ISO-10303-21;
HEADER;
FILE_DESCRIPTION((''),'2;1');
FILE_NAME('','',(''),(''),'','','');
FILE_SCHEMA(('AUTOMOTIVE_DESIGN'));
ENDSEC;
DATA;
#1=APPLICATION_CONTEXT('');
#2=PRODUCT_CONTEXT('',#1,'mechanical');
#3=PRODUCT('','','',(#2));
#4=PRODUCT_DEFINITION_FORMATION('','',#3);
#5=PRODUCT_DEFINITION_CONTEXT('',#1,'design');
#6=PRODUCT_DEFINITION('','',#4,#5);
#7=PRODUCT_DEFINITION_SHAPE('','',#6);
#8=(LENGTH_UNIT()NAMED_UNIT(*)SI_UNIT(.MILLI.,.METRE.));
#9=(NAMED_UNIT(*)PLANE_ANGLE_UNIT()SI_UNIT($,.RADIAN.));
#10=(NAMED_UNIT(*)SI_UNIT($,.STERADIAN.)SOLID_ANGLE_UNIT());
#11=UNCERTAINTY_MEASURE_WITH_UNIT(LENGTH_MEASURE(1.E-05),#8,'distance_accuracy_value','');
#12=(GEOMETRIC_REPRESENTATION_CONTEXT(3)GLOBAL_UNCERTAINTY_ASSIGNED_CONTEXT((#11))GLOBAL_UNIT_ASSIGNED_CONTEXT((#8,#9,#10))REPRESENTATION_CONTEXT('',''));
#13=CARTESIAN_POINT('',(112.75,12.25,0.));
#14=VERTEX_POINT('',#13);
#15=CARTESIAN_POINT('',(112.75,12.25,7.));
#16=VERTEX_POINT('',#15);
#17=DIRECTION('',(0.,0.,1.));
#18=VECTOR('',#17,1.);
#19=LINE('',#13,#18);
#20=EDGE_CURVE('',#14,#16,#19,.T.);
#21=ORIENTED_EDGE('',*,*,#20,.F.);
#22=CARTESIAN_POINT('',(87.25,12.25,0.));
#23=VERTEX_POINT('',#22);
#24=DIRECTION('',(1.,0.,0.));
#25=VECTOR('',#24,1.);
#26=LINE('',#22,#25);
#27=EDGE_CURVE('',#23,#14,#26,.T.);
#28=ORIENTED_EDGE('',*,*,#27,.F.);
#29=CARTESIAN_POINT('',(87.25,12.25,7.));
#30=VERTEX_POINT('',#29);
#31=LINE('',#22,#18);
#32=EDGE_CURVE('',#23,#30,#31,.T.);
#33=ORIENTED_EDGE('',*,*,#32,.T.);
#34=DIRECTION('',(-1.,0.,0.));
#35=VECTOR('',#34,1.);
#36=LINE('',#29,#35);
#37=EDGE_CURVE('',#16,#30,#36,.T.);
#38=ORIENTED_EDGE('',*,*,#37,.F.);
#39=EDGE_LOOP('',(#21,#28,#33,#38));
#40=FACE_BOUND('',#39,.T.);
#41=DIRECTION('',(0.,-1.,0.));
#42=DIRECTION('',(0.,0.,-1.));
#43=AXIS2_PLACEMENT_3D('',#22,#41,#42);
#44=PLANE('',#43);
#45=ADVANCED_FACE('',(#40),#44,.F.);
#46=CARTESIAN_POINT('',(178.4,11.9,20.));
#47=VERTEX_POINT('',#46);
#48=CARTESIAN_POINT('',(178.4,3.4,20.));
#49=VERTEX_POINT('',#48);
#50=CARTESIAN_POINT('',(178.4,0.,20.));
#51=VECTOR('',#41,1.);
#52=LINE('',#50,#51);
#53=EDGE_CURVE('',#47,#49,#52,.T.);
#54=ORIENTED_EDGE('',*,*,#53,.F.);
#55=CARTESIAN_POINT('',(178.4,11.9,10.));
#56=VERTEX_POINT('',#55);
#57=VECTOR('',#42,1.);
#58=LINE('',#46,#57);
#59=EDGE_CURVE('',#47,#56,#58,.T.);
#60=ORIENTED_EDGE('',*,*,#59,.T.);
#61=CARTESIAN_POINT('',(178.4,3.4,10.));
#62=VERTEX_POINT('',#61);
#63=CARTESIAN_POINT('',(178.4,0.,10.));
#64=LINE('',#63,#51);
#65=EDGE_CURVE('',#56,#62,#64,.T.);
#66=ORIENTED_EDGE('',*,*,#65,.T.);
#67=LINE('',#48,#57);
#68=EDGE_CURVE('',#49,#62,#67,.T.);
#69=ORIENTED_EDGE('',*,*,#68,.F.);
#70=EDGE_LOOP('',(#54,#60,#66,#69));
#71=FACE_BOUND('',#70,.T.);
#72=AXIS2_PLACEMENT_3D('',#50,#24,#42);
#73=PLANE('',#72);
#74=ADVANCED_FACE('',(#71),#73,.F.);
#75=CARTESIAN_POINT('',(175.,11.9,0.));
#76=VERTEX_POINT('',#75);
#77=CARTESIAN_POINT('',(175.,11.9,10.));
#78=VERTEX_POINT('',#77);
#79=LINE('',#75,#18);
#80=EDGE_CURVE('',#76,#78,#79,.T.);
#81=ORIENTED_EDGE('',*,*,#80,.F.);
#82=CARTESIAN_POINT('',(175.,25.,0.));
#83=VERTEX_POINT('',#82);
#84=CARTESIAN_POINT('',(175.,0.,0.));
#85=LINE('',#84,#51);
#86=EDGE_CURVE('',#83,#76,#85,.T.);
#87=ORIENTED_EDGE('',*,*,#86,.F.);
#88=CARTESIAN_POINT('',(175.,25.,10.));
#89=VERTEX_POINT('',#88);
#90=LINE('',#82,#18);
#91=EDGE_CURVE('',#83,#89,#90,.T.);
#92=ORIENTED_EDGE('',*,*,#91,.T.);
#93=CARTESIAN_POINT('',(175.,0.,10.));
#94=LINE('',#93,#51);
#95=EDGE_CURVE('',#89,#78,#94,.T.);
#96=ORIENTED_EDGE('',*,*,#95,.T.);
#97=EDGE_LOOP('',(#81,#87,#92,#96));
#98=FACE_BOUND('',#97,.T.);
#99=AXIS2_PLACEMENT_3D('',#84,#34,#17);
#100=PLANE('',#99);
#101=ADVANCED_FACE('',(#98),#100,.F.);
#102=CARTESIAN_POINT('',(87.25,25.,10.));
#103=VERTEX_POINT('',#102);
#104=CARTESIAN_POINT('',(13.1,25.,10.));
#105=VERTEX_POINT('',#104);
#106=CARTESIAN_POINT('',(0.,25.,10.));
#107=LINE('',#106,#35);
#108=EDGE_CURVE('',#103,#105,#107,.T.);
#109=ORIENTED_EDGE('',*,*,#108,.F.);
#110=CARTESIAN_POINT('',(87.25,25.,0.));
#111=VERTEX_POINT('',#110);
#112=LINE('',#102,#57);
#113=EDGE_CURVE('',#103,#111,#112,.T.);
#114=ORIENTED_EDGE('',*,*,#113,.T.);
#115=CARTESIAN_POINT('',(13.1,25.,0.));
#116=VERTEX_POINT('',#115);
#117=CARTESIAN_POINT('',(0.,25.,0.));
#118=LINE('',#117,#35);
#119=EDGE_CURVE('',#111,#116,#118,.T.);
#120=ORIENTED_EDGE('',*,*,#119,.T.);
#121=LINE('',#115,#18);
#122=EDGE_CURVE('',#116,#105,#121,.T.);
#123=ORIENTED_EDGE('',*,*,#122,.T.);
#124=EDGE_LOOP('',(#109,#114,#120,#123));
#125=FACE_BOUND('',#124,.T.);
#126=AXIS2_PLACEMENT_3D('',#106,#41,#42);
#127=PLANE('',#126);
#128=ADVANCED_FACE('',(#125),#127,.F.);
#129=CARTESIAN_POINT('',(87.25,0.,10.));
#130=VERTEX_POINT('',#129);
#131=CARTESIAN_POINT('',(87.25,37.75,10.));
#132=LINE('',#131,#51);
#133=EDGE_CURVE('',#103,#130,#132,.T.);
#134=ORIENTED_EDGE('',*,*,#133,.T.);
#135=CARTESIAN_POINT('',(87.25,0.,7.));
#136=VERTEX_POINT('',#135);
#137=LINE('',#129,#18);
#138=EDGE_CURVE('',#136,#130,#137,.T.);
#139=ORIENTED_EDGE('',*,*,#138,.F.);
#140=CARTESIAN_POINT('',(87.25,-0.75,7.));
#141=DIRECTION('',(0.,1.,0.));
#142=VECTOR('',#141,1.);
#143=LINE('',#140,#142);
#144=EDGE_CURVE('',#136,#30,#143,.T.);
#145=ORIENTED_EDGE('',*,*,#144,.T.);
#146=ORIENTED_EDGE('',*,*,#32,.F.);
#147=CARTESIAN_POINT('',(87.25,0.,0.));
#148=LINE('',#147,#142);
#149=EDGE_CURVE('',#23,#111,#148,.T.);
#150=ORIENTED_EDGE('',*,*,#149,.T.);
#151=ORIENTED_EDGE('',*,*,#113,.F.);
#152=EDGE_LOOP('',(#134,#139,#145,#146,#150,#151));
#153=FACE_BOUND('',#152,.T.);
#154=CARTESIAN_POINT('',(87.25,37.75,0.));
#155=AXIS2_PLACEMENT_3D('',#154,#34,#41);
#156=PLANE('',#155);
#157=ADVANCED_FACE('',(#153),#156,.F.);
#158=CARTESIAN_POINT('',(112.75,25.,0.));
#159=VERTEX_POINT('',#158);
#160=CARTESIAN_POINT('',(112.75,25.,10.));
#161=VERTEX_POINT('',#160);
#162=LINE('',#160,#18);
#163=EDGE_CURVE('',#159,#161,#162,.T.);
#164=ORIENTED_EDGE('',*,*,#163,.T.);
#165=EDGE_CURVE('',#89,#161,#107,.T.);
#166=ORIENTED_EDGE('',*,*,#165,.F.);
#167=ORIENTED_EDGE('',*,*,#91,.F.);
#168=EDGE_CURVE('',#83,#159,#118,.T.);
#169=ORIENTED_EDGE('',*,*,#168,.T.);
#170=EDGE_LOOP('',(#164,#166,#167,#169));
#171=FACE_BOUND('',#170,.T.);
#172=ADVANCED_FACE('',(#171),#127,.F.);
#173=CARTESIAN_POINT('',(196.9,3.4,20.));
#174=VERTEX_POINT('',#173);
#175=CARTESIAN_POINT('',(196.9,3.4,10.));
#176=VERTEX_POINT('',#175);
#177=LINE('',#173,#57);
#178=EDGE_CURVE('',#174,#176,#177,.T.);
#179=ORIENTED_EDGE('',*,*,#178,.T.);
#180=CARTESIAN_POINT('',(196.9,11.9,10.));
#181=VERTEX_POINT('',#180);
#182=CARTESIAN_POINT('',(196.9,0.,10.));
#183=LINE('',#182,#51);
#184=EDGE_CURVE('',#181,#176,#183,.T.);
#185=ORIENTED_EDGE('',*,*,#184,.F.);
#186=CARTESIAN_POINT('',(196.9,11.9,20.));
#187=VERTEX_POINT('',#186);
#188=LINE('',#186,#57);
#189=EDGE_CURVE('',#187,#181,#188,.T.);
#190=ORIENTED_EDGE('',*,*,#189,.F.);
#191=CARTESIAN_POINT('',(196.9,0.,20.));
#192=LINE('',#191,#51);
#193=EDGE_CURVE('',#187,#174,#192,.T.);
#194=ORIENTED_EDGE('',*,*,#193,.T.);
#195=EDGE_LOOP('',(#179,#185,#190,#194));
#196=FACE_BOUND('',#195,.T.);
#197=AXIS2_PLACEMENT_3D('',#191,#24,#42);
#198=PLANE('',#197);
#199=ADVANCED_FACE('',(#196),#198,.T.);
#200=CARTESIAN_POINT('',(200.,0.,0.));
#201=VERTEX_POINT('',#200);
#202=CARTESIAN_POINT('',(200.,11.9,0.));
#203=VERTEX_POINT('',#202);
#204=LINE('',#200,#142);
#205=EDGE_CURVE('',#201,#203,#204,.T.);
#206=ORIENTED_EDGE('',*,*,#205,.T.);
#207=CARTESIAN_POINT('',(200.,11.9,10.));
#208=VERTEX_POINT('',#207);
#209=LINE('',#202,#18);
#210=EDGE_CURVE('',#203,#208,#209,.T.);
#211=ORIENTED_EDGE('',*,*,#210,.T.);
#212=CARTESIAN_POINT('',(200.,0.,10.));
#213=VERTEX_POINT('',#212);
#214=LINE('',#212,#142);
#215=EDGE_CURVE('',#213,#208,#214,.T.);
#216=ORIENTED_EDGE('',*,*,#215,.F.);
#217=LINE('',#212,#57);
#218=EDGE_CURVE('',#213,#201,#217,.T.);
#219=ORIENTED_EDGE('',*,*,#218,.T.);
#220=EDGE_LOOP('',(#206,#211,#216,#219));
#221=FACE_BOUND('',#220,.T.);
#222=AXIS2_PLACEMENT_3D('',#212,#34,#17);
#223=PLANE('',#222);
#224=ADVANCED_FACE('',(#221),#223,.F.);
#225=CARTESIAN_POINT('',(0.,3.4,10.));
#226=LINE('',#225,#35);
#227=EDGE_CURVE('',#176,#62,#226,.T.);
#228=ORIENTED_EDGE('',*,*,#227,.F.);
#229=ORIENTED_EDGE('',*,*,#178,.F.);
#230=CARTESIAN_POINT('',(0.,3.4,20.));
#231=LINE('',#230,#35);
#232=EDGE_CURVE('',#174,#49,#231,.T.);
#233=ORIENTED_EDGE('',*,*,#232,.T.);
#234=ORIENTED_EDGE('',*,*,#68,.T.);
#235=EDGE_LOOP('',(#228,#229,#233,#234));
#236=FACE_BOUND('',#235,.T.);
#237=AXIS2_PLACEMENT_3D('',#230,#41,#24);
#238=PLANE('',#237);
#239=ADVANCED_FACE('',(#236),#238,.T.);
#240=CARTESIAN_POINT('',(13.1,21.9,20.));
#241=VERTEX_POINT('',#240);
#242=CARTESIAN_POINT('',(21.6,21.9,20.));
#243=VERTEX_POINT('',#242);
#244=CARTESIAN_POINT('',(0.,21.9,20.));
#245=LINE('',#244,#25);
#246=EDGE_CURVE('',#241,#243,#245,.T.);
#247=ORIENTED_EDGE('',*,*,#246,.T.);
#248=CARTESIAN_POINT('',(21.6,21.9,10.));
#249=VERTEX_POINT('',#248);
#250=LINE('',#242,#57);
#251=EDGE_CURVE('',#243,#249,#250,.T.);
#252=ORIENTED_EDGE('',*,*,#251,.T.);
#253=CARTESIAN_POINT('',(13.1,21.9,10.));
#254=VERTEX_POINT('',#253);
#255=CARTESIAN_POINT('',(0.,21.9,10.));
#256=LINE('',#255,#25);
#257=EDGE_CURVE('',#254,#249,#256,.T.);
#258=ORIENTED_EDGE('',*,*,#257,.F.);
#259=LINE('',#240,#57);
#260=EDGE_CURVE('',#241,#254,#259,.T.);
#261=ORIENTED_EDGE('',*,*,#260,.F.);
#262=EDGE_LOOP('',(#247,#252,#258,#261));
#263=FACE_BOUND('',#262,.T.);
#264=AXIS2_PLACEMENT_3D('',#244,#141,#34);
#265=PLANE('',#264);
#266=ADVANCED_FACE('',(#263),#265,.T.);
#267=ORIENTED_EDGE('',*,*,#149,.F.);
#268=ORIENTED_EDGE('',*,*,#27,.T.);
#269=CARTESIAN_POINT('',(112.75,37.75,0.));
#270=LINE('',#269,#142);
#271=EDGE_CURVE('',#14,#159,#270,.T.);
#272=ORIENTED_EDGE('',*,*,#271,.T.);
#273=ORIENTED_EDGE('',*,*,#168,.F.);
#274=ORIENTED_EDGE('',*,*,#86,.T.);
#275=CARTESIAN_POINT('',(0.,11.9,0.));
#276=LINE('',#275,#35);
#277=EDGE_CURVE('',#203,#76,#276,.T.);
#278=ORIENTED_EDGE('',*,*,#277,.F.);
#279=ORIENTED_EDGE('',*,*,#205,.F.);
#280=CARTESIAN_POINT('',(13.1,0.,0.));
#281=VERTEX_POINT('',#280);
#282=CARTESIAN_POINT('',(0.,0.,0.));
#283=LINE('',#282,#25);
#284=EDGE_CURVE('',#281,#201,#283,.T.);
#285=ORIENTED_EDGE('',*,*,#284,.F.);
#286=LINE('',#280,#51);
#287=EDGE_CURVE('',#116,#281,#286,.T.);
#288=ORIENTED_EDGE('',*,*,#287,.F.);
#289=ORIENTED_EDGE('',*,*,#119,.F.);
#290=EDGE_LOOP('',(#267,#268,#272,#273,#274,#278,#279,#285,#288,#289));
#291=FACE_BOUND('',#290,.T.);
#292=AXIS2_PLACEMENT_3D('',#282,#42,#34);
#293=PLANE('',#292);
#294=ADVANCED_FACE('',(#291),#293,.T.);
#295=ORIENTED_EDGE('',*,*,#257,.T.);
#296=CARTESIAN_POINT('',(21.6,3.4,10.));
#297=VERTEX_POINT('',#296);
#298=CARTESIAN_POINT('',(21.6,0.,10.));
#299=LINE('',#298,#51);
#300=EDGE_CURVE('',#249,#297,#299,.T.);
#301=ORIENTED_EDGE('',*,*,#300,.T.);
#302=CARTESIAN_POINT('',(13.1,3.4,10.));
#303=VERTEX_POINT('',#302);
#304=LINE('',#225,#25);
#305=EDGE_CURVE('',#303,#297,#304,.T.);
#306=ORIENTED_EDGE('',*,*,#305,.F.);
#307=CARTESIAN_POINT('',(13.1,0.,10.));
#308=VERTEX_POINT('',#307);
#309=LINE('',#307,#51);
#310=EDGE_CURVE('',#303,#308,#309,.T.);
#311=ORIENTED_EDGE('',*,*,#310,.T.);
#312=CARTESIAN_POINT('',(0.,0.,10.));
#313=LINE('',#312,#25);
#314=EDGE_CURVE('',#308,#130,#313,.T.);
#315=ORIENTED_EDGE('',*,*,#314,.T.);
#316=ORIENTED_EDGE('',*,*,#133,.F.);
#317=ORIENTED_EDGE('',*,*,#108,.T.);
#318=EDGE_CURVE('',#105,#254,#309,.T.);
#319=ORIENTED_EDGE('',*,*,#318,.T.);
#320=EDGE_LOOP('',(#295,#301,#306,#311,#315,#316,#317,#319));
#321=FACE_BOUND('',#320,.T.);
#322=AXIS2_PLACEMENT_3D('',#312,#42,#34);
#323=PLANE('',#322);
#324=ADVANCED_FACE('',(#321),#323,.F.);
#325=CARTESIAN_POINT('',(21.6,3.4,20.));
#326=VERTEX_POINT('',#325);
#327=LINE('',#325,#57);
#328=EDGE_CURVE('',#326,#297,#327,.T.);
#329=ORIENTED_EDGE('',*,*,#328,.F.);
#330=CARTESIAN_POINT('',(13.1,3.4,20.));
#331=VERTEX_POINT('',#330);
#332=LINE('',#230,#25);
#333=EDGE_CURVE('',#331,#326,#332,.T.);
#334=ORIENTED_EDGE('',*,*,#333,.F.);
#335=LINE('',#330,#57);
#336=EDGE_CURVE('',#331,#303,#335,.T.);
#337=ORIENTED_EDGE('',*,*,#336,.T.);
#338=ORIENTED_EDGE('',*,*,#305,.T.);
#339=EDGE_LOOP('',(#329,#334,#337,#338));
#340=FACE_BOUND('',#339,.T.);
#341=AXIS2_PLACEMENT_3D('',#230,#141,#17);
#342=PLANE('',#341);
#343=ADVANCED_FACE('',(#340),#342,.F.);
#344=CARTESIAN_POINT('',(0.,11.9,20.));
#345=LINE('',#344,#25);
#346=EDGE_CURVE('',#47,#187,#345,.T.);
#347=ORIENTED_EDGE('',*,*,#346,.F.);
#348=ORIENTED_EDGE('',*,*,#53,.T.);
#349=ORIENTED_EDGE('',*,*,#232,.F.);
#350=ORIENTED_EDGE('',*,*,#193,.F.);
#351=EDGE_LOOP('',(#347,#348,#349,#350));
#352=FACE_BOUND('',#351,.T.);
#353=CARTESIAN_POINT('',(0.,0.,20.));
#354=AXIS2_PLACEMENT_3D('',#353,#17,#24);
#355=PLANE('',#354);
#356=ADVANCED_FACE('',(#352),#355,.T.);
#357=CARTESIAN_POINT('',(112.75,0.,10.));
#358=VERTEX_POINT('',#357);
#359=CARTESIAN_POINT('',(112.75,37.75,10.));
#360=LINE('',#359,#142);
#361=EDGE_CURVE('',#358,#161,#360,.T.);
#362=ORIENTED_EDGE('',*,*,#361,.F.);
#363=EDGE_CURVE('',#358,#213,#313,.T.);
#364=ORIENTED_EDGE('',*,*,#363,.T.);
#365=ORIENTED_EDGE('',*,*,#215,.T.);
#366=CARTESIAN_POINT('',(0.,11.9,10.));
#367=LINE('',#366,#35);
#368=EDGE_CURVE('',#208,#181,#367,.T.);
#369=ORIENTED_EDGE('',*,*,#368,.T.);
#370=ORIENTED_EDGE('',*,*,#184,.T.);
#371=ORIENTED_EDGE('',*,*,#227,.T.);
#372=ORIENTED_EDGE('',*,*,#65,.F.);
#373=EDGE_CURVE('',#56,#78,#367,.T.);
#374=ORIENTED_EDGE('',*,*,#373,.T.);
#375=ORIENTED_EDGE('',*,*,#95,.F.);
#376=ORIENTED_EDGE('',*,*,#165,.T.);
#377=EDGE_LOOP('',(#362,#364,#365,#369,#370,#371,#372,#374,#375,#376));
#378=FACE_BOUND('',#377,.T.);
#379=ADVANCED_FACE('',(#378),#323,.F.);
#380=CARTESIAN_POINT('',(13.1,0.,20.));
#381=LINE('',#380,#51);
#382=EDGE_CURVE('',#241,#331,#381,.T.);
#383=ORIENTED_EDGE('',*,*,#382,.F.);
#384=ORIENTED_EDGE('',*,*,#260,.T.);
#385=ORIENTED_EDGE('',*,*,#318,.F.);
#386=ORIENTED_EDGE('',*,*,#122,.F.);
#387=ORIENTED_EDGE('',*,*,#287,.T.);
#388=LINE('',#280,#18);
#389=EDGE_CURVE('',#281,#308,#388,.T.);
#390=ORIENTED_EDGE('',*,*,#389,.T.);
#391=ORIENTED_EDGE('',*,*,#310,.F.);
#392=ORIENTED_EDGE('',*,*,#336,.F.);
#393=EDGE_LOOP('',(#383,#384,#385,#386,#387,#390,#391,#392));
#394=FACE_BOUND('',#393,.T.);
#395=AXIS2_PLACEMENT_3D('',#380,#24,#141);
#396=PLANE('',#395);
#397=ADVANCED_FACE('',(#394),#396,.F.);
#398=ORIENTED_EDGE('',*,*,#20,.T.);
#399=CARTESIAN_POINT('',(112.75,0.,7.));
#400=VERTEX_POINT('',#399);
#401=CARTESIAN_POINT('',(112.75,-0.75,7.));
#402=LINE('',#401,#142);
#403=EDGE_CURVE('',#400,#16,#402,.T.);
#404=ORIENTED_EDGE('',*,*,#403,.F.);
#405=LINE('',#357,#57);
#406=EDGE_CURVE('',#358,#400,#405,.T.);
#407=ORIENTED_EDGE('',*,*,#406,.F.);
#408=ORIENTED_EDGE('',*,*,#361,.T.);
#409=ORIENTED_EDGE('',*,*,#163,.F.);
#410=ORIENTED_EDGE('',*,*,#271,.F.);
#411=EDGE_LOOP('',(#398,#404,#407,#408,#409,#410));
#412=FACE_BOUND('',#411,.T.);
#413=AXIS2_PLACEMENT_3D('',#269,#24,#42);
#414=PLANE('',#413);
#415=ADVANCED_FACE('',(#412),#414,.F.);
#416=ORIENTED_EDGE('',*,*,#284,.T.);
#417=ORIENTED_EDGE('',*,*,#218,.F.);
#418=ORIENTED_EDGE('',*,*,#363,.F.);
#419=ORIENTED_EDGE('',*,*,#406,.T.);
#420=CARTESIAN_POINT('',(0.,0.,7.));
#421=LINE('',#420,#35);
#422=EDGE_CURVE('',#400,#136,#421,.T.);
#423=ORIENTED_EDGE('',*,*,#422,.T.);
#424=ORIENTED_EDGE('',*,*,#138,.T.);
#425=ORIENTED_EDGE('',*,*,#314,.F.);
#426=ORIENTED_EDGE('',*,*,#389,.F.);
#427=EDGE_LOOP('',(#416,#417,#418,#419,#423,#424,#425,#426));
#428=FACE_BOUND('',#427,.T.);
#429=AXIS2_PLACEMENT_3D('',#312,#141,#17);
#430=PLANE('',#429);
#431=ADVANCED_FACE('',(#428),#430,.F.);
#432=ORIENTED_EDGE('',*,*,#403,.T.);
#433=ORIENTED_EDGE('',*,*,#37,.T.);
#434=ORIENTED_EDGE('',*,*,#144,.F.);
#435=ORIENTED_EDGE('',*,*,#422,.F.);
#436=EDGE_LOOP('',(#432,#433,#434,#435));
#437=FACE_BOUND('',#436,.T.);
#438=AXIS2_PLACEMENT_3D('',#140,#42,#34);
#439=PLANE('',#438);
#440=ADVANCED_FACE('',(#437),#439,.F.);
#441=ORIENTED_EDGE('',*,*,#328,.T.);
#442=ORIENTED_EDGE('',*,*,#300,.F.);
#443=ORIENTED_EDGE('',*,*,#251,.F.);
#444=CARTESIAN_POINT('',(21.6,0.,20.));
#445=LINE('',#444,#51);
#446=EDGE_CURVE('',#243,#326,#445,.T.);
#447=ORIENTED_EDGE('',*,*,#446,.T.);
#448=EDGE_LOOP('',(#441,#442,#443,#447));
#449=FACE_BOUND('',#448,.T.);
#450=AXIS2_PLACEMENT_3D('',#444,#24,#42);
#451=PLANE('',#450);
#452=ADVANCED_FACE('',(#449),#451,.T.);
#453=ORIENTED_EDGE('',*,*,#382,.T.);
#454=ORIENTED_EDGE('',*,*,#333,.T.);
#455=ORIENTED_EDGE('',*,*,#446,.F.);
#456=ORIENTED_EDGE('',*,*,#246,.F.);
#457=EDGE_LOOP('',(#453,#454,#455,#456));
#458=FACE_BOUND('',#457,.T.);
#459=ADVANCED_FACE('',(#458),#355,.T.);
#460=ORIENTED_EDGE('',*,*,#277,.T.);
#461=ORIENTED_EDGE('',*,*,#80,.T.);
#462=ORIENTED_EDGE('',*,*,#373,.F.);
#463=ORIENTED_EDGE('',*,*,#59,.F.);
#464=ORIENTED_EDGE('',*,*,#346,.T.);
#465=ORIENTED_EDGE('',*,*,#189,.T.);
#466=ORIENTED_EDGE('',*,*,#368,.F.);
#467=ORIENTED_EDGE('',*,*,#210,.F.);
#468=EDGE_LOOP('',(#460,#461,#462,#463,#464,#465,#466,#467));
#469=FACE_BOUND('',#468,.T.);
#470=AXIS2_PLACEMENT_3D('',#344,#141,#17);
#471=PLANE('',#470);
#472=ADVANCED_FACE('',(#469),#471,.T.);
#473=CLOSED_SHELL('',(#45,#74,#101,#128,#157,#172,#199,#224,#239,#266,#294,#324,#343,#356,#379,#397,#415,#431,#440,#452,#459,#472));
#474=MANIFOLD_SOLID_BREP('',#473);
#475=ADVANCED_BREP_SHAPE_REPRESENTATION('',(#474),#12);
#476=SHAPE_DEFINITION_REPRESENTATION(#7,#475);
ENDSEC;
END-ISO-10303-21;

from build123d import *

# Parameters (mm, degrees)
SKETCH1_W           = 200
SKETCH1_H           = 25
BOSS_EXTRUDE1_DEPTH = 10
SKETCH4_W           = 25.5
SKETCH4_H           = 25.5
CUT_EXTRUDE2_DEPTH  = 10
SKETCH2_W           = 18.5
SKETCH2_H           = 8.5
SKETCH2_W_2         = 8.5
SKETCH2_H_2         = 18.5
BOSS_EXTRUDE3_DEPTH = 10
SKETCH3_W           = 13.1
SKETCH3_H           = 25
SKETCH3_W_2         = 25
SKETCH3_H_2         = 13.1
CUT_EXTRUDE3_DEPTH  = 10
SKETCH5_W           = 25.5
SKETCH5_H           = 3
CUT_EXTRUDE4_DEPTH  = 13


with BuildPart() as part:
    # Sketch1 → Boss-Extrude1 (new body)
    with BuildSketch(Plane.XY):
        with Locations((100, 12.5)):
            Rectangle(SKETCH1_W, SKETCH1_H)
    extrude(amount=BOSS_EXTRUDE1_DEPTH)

    # Sketch4 → Cut-Extrude2 (cut)
    with BuildSketch(Plane.XY.offset(10)):
        with Locations((100, 25)):
            Rectangle(SKETCH4_W, SKETCH4_H)
    extrude(amount=-CUT_EXTRUDE2_DEPTH, mode=Mode.SUBTRACT)

    # Sketch2 → Boss-Extrude3 (add)
    with BuildSketch(Plane.XY.offset(10)):
        with Locations((187.65, 7.65)):
            Rectangle(SKETCH2_W, SKETCH2_H)
        with Locations((17.35, 12.65)):
            Rectangle(SKETCH2_W_2, SKETCH2_H_2)
    extrude(amount=BOSS_EXTRUDE3_DEPTH)

    # Sketch3 → Cut-Extrude3 (cut)
    with BuildSketch(Plane.XY.offset(10)):
        with Locations((6.55, 12.5)):
            Rectangle(SKETCH3_W, SKETCH3_H)
        with Locations((187.5, 18.45)):
            Rectangle(SKETCH3_W_2, SKETCH3_H_2)
    extrude(amount=-CUT_EXTRUDE3_DEPTH, mode=Mode.SUBTRACT)

    # Sketch5 → Cut-Extrude4 (cut)
    with BuildSketch(Plane(origin=(0, 12.25, 0), x_dir=(1, 0, 0), z_dir=(0, 1, 0))):
        with Locations((100, -8.5)):
            Rectangle(SKETCH5_W, SKETCH5_H)
    extrude(amount=-CUT_EXTRUDE4_DEPTH, mode=Mode.SUBTRACT)


solid = part.part
